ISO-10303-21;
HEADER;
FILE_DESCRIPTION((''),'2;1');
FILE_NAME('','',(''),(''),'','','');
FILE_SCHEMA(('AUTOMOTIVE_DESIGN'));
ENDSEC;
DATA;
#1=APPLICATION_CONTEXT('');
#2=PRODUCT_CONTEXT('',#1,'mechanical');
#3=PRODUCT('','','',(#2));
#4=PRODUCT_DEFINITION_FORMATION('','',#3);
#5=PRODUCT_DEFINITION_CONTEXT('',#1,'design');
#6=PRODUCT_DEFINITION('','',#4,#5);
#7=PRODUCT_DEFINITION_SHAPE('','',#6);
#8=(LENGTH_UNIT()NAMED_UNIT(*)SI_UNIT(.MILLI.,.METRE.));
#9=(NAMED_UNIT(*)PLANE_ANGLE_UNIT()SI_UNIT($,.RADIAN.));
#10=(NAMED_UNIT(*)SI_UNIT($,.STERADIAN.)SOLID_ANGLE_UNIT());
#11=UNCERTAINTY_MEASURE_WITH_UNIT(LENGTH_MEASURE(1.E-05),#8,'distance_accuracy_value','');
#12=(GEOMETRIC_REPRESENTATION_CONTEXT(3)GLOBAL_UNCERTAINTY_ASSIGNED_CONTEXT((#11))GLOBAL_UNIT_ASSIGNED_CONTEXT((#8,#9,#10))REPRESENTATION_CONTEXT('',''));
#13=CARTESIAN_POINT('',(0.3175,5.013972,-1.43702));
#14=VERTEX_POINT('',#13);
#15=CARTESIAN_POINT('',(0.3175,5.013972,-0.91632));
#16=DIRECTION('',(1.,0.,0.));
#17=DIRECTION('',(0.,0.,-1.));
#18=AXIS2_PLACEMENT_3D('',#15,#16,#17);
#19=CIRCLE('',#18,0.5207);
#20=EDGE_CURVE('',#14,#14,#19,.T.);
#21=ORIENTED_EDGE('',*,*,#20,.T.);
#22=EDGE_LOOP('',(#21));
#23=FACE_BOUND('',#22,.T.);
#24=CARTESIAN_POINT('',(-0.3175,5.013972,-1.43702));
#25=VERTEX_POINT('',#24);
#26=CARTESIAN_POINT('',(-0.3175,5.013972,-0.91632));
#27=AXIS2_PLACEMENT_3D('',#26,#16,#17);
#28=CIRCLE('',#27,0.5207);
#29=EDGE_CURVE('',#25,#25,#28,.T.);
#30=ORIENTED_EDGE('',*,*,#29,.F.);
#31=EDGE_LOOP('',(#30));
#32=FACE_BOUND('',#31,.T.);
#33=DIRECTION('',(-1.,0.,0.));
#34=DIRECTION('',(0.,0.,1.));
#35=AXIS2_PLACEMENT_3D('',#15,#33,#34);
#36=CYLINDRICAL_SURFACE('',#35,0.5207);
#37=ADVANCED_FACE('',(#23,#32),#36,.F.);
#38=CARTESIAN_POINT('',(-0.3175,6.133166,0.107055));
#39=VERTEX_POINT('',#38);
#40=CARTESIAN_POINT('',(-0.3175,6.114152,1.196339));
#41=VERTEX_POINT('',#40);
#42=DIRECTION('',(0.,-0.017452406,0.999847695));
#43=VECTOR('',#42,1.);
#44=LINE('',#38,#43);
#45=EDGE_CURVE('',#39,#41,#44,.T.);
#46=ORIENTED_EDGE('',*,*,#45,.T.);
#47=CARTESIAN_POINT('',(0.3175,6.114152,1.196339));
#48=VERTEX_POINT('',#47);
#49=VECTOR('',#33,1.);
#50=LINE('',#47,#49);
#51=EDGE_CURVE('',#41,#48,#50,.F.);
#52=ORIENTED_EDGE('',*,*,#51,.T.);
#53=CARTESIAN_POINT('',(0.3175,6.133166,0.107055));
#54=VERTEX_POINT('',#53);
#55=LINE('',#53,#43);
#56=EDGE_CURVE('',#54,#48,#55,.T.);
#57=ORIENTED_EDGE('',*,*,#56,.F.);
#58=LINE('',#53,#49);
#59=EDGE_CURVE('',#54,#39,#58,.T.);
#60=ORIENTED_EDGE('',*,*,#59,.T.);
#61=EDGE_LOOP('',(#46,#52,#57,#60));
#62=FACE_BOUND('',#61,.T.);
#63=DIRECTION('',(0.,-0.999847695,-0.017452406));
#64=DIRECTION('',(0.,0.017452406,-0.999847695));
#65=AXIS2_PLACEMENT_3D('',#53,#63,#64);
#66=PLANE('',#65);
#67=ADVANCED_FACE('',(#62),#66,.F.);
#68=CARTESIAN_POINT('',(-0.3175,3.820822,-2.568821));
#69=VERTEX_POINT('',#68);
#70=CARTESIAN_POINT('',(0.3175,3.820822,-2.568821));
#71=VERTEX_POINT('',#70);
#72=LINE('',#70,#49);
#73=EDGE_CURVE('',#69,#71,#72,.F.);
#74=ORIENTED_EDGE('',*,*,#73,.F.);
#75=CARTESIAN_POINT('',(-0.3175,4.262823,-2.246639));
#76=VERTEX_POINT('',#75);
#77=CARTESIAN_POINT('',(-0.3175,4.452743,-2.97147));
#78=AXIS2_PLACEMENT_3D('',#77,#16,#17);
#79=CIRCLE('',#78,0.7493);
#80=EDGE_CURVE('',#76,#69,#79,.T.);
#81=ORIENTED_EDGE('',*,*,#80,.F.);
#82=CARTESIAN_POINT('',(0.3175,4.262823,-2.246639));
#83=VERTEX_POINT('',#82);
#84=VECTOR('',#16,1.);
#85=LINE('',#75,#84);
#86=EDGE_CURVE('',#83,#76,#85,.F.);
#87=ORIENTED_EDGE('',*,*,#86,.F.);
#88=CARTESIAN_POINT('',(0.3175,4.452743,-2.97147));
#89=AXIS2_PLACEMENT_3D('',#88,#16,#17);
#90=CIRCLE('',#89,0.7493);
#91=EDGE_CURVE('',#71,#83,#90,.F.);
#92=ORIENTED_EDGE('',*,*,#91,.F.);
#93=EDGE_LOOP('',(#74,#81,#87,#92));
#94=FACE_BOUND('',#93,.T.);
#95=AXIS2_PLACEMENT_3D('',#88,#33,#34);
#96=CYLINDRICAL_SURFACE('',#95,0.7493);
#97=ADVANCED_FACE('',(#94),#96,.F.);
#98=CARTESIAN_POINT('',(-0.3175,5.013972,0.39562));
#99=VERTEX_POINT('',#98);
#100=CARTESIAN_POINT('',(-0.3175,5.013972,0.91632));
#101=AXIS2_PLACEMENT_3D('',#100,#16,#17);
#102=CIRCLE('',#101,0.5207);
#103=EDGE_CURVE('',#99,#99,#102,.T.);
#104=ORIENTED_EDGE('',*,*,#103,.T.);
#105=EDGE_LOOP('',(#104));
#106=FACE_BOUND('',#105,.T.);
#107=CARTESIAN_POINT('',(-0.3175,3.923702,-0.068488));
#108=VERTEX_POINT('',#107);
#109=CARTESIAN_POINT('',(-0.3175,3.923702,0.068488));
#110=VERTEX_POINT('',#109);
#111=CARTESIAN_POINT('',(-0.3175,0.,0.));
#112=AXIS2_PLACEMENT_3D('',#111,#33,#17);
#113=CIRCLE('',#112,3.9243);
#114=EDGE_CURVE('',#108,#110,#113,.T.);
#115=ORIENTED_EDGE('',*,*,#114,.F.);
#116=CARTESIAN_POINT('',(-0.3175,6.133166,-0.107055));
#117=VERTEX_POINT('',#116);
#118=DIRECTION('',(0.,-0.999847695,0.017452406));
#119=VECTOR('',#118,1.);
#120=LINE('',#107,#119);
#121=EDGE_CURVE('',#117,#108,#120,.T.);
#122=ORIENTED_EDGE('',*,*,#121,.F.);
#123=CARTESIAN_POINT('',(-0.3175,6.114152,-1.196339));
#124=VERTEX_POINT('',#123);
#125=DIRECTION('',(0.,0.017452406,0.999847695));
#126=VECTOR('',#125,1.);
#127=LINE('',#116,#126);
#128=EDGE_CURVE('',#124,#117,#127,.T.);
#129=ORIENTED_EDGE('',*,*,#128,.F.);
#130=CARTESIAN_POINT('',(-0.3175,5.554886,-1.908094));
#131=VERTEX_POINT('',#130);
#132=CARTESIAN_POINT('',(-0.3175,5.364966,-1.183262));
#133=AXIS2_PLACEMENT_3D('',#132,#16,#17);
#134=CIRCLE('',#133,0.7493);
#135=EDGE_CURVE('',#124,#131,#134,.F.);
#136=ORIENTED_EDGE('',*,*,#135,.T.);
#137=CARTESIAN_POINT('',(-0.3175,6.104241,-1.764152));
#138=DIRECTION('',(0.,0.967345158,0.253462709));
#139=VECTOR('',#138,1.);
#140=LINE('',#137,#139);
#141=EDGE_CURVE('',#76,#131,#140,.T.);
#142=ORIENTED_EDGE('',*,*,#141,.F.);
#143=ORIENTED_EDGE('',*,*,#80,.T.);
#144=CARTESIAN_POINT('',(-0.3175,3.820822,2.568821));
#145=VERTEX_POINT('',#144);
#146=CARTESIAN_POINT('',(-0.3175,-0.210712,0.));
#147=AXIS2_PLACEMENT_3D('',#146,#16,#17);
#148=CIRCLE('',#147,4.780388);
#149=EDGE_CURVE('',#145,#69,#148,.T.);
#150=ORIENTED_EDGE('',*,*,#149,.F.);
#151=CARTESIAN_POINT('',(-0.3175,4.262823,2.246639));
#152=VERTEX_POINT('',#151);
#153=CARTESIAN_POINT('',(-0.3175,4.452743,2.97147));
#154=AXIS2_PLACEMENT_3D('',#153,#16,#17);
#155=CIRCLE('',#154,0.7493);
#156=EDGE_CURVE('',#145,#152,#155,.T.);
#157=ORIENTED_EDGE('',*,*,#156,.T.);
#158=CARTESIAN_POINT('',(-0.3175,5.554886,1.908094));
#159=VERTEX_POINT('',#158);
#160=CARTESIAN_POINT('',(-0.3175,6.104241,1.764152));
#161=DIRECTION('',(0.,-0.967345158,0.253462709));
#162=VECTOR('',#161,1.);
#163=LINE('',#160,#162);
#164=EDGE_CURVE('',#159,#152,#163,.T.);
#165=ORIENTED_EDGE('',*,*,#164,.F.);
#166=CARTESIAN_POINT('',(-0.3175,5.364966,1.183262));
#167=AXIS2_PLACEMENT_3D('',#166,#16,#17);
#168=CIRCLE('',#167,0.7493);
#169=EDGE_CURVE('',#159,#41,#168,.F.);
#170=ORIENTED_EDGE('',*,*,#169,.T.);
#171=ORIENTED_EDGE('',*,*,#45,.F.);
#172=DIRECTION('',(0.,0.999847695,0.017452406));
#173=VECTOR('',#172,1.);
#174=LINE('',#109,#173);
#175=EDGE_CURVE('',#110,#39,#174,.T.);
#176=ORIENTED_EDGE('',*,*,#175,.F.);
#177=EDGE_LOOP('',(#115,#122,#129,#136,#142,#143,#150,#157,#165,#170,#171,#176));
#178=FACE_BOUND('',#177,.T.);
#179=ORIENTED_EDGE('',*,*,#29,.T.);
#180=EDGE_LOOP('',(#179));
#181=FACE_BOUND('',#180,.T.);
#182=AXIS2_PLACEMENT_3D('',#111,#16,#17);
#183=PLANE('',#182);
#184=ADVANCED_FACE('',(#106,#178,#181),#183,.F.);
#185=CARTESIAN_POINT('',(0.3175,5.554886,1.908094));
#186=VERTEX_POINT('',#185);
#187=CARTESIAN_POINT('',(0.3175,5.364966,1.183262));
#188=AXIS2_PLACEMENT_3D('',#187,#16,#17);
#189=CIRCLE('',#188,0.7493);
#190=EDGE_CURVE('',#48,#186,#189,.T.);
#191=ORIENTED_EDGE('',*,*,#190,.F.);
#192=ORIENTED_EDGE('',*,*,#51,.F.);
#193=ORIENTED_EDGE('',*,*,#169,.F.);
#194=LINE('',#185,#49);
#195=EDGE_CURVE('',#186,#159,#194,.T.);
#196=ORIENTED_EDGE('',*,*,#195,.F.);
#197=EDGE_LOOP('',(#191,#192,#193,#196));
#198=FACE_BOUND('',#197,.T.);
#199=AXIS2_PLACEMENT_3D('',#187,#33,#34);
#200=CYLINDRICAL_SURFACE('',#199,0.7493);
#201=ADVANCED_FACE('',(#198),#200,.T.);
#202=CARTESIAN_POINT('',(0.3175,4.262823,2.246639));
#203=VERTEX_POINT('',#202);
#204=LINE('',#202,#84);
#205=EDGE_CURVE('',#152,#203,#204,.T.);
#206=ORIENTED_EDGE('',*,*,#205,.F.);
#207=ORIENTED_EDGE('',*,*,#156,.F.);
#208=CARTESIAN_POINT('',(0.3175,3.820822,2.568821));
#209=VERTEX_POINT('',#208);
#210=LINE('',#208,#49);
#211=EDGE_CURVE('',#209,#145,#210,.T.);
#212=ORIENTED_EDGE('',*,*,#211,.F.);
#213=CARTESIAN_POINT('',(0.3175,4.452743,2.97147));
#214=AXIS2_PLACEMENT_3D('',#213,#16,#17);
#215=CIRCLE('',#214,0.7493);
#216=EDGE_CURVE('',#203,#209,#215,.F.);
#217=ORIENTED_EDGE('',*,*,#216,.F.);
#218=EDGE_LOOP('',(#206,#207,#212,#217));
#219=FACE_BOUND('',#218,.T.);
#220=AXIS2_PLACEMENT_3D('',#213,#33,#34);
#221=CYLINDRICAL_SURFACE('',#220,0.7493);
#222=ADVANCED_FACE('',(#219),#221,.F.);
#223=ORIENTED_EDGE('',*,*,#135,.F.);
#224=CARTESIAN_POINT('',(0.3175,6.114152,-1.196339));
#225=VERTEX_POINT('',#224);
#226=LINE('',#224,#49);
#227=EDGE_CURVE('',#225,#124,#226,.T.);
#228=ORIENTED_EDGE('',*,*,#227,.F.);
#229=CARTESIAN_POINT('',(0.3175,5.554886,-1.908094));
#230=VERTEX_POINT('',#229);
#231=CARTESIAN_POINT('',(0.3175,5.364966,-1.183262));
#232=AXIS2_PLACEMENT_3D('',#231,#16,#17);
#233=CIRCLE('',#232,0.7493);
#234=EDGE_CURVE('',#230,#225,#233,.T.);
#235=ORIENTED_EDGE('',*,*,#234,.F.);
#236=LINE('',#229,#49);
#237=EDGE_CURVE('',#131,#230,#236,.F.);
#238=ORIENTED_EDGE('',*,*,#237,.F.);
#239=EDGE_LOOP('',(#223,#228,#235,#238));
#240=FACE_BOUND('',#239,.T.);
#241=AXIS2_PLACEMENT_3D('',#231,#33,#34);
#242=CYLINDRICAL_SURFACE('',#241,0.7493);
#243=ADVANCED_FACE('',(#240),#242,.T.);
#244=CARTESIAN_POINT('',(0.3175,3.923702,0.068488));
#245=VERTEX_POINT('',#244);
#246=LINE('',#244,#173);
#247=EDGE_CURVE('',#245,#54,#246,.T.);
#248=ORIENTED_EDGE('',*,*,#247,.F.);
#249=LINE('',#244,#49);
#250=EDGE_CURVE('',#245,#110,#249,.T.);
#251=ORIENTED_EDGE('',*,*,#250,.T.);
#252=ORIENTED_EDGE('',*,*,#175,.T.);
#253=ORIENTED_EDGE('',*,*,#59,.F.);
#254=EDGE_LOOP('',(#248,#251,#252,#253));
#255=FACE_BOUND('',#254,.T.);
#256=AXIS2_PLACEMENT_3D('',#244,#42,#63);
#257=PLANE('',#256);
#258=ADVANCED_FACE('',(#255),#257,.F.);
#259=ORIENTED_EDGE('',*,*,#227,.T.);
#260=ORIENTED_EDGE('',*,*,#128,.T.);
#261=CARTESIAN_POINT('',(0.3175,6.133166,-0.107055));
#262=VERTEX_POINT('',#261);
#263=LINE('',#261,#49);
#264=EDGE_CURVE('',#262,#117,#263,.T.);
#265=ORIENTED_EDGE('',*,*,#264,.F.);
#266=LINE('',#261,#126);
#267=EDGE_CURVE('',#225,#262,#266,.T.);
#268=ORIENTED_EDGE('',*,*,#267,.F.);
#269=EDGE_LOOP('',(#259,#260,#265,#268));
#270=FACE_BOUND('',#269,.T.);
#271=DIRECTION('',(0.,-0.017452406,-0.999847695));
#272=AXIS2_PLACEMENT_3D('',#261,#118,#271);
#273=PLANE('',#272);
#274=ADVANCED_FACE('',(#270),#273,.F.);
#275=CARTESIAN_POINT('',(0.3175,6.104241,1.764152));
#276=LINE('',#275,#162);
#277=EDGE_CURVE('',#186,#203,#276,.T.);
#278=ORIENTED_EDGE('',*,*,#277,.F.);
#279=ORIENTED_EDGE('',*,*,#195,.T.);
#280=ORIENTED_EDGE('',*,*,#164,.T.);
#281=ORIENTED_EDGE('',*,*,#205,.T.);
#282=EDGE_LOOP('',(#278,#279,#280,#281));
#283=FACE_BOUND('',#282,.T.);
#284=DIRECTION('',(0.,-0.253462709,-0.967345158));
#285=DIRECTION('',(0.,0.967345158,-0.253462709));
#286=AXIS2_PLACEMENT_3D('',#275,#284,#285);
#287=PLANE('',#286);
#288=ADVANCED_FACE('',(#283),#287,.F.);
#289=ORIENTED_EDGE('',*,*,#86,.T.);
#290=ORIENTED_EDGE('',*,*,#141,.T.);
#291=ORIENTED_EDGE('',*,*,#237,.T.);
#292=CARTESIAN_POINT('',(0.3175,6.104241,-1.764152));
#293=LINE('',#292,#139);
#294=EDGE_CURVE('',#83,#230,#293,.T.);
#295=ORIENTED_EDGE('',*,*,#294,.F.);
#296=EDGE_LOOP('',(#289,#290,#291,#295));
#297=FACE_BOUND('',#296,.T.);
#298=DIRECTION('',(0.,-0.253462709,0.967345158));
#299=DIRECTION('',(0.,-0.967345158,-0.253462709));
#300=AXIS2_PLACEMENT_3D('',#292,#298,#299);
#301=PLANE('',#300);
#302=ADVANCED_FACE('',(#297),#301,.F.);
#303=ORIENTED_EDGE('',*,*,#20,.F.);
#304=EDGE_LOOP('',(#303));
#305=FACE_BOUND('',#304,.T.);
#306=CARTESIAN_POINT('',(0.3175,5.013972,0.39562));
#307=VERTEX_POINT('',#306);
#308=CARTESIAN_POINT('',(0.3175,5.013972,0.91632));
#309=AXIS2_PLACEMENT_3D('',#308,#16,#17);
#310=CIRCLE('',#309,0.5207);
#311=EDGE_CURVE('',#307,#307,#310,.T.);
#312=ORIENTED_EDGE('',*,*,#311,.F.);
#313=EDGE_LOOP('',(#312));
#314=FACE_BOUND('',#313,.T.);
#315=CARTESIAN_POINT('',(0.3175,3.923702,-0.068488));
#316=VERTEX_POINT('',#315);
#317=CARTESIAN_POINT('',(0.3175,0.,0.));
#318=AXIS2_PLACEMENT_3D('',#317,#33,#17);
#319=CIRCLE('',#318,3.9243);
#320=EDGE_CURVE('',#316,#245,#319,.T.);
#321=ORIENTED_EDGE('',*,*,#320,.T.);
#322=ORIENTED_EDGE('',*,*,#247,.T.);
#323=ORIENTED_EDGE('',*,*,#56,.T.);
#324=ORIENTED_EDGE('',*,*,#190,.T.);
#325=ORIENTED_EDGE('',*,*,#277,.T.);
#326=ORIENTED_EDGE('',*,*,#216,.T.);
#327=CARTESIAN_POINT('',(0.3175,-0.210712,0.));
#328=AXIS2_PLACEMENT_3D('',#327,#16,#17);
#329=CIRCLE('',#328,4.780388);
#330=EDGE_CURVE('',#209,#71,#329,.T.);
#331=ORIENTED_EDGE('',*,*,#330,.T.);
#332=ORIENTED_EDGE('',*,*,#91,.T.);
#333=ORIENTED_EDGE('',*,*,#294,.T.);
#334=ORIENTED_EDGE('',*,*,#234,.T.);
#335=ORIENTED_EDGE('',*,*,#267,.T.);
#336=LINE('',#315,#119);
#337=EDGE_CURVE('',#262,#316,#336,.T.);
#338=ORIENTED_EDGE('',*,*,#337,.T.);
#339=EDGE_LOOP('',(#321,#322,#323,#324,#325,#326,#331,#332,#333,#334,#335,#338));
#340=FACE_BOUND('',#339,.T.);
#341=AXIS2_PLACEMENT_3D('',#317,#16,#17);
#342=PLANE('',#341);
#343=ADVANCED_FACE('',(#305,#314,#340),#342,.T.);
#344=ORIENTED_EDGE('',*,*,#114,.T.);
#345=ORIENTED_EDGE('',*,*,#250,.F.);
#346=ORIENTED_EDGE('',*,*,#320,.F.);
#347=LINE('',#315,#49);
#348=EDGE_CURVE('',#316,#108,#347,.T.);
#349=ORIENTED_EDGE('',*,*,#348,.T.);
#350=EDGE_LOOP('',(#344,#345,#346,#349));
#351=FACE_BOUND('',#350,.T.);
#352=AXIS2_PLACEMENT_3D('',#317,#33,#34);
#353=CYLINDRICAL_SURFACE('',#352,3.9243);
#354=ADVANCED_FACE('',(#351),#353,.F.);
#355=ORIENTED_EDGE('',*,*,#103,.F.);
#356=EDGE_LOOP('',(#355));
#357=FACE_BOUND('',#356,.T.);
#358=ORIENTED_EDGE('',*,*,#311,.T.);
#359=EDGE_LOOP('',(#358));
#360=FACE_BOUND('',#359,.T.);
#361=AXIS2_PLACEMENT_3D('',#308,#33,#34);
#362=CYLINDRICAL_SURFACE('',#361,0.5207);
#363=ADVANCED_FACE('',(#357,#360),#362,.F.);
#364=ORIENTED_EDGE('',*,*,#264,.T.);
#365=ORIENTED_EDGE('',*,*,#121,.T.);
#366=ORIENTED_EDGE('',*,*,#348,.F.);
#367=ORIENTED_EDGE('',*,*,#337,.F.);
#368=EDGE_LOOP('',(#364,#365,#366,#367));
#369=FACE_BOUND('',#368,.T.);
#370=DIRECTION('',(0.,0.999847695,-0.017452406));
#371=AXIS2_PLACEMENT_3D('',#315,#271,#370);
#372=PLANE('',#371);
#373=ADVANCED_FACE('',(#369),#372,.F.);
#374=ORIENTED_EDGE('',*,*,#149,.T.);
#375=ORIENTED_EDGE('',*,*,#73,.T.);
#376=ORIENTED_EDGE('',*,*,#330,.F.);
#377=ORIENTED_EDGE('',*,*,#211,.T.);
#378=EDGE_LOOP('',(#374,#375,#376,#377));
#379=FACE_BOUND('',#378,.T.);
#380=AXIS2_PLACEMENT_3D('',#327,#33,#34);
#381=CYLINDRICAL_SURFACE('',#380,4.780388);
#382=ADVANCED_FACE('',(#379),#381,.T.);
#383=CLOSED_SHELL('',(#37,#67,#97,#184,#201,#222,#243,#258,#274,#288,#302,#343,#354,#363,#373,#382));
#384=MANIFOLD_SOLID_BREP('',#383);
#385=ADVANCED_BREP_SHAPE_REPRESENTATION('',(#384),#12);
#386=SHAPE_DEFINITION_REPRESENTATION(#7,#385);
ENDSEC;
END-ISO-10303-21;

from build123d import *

# Parameters (mm, degrees)
SKETCH1_R      = 0.5207
EXTRUDE1_DEPTH = 0.3175
FILLET1_R      = 0.7493


with BuildPart() as part:
    # Sketch1 → Extrude1 (new, symmetric)
    with BuildSketch(Plane(origin=(0, 0, 0), x_dir=(0, 0, -1), z_dir=(1, 0, 0))):
        with BuildLine():
            Line((-0.068488479, 3.92370231), (-0.107054806, 6.133165747))
            Line((-0.107054806, 6.133165747), (-1.764152384, 6.104241001))
            Line((-1.764152384, 6.104241001), (-2.324254278, 3.96660167))
            ThreePointArc((-2.324254278, 3.96660167), (0, -4.9911), (2.324254278, 3.96660167))
            Line((2.324254278, 3.96660167), (1.764152384, 6.104241001))
            Line((1.764152384, 6.104241001), (0.107054806, 6.133165747))
            Line((0.107054806, 6.133165747), (0.068488479, 3.92370231))
            ThreePointArc((0.068488479, 3.92370231), (0, -3.9243), (-0.068488479, 3.92370231))
        make_face()
        with Locations((-0.916320431, 5.013971656)):
            Circle(SKETCH1_R, mode=Mode.SUBTRACT)
        with Locations((0.916320431, 5.013971656)):
            Circle(SKETCH1_R, mode=Mode.SUBTRACT)
    extrude(amount=EXTRUDE1_DEPTH, both=True)

    # Fillet1
    fillet1_edges = [part.edges().sort_by_distance(p)[0] for p in [
        (0, 6.104241001, -1.764152384),
        (0, 3.96660167, -2.324254278),
        (0, 3.96660167, 2.324254278),
        (0, 6.104241001, 1.764152384),
    ]]
    fillet(fillet1_edges, radius=FILLET1_R)


solid = part.part
